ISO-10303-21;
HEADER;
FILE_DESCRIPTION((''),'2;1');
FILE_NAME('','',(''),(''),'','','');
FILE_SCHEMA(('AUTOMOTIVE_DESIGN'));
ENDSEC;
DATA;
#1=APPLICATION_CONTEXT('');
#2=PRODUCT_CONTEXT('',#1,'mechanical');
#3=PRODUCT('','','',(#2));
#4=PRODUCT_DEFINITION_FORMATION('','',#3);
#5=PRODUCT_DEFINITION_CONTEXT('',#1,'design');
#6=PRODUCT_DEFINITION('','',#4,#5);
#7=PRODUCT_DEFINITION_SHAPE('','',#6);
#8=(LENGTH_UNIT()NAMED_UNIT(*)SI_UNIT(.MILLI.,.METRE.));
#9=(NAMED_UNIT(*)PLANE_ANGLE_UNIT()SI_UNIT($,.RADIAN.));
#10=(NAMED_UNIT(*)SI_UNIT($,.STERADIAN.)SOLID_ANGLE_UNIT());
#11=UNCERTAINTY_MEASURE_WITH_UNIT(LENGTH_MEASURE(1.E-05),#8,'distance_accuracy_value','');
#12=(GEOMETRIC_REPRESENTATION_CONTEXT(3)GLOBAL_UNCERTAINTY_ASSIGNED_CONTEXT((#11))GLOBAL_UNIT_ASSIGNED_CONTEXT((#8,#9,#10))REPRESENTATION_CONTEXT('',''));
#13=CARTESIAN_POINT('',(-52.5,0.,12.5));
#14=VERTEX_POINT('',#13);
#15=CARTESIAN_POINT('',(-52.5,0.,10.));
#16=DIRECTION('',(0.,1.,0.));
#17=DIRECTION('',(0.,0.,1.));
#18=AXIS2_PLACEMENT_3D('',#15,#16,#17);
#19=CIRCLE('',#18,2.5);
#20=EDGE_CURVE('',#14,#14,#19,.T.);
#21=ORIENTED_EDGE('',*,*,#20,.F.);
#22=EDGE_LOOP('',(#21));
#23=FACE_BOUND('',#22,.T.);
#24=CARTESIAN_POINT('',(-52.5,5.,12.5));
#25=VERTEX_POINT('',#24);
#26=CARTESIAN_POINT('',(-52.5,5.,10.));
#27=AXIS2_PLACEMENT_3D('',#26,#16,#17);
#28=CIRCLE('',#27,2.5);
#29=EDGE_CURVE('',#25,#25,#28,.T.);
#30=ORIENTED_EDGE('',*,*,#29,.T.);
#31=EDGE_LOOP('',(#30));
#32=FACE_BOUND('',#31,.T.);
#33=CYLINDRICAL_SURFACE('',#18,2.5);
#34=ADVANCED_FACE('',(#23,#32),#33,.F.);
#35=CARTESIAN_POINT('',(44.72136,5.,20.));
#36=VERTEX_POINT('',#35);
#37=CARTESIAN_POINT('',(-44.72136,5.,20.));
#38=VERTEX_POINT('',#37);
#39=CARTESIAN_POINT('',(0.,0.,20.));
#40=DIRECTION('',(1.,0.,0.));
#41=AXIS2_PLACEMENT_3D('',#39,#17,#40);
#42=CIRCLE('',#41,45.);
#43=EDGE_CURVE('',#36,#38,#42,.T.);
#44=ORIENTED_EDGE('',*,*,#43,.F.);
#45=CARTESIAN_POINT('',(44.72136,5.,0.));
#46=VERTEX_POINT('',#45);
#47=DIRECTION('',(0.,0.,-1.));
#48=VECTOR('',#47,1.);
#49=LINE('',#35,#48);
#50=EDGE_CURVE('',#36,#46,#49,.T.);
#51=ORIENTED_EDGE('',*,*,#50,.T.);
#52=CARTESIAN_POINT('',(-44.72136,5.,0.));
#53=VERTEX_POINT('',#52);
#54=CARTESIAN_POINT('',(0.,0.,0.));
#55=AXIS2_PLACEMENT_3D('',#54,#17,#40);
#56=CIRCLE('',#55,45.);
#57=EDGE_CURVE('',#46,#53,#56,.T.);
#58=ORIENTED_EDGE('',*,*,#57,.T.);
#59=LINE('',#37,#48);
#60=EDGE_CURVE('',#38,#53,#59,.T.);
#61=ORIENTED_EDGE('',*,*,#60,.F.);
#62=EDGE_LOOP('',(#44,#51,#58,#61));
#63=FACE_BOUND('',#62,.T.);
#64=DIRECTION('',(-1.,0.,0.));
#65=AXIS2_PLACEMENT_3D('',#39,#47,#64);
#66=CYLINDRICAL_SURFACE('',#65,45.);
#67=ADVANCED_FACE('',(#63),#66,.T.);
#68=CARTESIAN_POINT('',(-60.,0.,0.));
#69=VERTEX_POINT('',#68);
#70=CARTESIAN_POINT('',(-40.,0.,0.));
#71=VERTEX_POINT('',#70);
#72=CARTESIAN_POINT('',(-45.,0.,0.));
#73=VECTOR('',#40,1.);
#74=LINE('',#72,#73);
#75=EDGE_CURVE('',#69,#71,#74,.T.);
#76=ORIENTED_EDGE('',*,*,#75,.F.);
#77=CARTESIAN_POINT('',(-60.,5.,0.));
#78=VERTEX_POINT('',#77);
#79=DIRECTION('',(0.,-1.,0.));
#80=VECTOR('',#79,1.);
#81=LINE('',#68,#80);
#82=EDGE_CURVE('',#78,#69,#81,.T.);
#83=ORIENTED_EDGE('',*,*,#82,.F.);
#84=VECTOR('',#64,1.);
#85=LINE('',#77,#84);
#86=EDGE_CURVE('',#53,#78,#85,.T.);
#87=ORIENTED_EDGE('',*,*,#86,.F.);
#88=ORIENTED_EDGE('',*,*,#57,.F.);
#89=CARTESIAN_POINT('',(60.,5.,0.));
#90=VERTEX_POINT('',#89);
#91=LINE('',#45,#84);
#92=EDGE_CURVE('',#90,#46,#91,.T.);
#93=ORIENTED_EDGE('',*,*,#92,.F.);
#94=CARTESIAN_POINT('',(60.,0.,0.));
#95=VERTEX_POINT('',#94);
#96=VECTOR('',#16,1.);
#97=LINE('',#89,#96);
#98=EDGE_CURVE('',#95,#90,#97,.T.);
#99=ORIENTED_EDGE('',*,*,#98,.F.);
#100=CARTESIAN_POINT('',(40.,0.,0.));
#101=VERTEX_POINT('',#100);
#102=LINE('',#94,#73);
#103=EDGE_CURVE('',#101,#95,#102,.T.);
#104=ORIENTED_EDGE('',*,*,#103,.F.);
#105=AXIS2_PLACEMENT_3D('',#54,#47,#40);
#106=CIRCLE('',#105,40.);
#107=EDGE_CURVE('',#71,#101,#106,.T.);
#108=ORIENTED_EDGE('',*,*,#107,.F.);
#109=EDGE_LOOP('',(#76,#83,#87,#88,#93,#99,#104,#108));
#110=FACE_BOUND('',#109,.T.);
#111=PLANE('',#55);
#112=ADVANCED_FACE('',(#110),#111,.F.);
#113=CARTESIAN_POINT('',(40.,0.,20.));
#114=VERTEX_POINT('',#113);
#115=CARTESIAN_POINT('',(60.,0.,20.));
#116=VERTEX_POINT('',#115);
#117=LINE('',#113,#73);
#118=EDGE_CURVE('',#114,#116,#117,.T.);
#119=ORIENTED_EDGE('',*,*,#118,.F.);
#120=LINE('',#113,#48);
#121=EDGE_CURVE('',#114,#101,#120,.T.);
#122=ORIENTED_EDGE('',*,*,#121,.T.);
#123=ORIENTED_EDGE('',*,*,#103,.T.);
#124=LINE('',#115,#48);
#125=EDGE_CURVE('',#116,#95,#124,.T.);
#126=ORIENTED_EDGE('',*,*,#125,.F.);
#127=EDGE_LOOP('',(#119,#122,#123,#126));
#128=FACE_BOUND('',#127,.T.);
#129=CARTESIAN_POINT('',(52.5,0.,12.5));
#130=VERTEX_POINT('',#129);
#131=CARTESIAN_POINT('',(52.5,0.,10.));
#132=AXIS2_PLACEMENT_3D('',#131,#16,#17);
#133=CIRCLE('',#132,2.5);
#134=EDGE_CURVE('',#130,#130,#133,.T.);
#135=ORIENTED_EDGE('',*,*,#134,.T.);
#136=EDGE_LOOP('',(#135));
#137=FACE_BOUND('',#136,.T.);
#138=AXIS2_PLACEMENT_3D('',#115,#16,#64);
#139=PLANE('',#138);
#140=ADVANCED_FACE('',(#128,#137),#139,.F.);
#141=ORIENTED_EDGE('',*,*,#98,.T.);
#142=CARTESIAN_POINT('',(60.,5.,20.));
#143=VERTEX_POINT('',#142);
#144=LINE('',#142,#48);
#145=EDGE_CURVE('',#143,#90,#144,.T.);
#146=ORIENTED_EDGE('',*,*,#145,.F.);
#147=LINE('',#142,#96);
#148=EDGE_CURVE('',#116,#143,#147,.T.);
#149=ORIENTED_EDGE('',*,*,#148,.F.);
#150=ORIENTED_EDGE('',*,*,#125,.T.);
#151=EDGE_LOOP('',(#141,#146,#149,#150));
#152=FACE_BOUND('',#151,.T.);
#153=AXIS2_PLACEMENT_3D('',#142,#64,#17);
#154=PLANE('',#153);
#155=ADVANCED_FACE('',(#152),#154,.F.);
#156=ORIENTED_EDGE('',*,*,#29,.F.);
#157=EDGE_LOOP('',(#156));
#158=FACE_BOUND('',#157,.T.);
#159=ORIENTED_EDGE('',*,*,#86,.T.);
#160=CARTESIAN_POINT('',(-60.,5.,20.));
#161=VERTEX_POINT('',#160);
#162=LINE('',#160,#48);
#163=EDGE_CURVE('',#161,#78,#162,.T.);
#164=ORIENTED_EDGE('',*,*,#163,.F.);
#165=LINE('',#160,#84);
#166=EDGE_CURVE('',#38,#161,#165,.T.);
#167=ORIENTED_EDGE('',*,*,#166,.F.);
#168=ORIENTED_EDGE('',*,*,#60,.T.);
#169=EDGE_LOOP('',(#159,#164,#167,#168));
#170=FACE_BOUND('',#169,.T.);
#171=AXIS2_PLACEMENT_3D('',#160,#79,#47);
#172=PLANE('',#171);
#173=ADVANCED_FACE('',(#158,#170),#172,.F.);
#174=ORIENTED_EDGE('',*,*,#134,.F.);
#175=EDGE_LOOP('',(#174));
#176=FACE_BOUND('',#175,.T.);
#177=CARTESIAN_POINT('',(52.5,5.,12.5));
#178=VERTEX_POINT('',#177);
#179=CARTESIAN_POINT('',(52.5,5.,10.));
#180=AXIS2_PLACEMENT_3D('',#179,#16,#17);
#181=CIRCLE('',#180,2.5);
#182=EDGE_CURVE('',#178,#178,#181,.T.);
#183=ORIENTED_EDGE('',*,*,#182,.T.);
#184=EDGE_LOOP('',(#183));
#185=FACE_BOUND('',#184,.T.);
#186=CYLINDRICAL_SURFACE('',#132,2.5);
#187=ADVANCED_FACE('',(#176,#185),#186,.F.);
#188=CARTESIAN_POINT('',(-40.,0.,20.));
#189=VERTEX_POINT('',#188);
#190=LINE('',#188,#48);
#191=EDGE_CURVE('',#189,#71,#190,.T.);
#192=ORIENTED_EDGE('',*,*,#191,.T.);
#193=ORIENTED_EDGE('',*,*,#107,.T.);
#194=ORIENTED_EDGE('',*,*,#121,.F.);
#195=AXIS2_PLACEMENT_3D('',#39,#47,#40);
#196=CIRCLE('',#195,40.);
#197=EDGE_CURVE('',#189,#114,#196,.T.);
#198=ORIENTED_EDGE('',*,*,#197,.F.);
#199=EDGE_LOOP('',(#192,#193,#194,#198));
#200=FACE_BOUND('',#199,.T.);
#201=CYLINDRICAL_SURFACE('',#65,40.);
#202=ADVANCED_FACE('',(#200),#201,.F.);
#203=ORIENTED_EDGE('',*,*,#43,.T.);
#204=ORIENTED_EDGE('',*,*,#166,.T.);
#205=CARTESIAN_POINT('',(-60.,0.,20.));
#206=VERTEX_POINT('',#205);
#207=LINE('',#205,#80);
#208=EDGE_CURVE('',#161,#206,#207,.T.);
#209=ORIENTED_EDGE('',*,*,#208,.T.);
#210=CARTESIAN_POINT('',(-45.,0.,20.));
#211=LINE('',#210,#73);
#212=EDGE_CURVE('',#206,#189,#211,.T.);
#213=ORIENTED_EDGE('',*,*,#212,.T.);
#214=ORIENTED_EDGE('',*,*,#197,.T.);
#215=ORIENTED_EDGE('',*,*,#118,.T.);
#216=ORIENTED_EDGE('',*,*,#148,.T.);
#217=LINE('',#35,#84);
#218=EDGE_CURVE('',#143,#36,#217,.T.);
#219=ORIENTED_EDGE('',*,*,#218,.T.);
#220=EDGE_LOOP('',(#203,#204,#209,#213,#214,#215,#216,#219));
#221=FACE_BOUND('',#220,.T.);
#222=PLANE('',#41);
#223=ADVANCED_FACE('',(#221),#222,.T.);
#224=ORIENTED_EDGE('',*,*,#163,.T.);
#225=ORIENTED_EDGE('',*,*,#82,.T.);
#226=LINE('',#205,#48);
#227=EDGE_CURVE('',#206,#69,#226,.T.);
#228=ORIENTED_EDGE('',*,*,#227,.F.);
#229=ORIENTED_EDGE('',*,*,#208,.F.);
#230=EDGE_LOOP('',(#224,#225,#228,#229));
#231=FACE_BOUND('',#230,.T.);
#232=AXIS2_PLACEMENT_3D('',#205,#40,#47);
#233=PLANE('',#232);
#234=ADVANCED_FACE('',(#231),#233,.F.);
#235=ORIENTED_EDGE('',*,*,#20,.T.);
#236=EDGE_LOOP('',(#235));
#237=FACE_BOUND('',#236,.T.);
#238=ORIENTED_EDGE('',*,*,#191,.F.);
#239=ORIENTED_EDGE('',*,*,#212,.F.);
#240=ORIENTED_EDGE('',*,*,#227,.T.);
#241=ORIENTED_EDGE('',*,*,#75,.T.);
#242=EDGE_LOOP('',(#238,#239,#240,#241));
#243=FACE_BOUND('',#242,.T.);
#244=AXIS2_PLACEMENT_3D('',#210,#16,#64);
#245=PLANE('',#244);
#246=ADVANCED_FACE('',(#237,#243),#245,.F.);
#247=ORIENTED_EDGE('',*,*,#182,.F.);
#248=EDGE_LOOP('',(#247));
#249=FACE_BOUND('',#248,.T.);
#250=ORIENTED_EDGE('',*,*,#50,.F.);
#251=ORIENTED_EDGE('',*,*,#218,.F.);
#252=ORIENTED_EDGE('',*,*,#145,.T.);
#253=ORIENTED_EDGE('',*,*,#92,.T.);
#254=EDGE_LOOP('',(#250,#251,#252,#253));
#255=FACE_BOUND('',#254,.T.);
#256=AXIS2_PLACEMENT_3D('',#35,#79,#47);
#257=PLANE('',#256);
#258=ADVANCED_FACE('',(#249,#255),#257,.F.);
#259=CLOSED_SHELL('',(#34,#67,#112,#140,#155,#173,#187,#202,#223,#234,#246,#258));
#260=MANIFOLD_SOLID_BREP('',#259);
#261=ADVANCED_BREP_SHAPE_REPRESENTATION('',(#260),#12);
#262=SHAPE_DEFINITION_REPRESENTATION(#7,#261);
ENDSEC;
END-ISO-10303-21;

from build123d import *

# Parameters (mm, degrees)
BOSS_EXTRUDE1_DEPTH = 20
SKETCH3_R           = 2.5
CUT_EXTRUDE2_DEPTH  = 6


with BuildPart() as part:
    # Sketch1 → Boss-Extrude1 (new body)
    with BuildSketch(Plane.XY):
        with BuildLine():
            Line((-45, 0), (-40, 0))
            ThreePointArc((-40, 0), (0, 40), (40, 0))
            Line((40, 0), (45, 0))
            Line((45, 0), (60, 0))
            Line((60, 0), (60, 5))
            Line((60, 5), (44.72135955, 5))
            ThreePointArc((44.72135955, 5), (0, 45), (-44.72135955, 5))
            Line((-44.72135955, 5), (-60, 5))
            Line((-60, 5), (-60, 0))
            Line((-60, 0), (-45, 0))
        make_face()
    extrude(amount=BOSS_EXTRUDE1_DEPTH)

    # Sketch3 → Cut-Extrude2 (cut, through all)
    with BuildSketch(Plane(origin=(0, 5, 0), x_dir=(1, 0, 0), z_dir=(0, 1, 0))):
        with Locations((-52.5, -10)):
            Circle(SKETCH3_R)
        with Locations((52.5, -10)):
            Circle(SKETCH3_R)
    extrude(amount=-CUT_EXTRUDE2_DEPTH, mode=Mode.SUBTRACT)


solid = part.part
